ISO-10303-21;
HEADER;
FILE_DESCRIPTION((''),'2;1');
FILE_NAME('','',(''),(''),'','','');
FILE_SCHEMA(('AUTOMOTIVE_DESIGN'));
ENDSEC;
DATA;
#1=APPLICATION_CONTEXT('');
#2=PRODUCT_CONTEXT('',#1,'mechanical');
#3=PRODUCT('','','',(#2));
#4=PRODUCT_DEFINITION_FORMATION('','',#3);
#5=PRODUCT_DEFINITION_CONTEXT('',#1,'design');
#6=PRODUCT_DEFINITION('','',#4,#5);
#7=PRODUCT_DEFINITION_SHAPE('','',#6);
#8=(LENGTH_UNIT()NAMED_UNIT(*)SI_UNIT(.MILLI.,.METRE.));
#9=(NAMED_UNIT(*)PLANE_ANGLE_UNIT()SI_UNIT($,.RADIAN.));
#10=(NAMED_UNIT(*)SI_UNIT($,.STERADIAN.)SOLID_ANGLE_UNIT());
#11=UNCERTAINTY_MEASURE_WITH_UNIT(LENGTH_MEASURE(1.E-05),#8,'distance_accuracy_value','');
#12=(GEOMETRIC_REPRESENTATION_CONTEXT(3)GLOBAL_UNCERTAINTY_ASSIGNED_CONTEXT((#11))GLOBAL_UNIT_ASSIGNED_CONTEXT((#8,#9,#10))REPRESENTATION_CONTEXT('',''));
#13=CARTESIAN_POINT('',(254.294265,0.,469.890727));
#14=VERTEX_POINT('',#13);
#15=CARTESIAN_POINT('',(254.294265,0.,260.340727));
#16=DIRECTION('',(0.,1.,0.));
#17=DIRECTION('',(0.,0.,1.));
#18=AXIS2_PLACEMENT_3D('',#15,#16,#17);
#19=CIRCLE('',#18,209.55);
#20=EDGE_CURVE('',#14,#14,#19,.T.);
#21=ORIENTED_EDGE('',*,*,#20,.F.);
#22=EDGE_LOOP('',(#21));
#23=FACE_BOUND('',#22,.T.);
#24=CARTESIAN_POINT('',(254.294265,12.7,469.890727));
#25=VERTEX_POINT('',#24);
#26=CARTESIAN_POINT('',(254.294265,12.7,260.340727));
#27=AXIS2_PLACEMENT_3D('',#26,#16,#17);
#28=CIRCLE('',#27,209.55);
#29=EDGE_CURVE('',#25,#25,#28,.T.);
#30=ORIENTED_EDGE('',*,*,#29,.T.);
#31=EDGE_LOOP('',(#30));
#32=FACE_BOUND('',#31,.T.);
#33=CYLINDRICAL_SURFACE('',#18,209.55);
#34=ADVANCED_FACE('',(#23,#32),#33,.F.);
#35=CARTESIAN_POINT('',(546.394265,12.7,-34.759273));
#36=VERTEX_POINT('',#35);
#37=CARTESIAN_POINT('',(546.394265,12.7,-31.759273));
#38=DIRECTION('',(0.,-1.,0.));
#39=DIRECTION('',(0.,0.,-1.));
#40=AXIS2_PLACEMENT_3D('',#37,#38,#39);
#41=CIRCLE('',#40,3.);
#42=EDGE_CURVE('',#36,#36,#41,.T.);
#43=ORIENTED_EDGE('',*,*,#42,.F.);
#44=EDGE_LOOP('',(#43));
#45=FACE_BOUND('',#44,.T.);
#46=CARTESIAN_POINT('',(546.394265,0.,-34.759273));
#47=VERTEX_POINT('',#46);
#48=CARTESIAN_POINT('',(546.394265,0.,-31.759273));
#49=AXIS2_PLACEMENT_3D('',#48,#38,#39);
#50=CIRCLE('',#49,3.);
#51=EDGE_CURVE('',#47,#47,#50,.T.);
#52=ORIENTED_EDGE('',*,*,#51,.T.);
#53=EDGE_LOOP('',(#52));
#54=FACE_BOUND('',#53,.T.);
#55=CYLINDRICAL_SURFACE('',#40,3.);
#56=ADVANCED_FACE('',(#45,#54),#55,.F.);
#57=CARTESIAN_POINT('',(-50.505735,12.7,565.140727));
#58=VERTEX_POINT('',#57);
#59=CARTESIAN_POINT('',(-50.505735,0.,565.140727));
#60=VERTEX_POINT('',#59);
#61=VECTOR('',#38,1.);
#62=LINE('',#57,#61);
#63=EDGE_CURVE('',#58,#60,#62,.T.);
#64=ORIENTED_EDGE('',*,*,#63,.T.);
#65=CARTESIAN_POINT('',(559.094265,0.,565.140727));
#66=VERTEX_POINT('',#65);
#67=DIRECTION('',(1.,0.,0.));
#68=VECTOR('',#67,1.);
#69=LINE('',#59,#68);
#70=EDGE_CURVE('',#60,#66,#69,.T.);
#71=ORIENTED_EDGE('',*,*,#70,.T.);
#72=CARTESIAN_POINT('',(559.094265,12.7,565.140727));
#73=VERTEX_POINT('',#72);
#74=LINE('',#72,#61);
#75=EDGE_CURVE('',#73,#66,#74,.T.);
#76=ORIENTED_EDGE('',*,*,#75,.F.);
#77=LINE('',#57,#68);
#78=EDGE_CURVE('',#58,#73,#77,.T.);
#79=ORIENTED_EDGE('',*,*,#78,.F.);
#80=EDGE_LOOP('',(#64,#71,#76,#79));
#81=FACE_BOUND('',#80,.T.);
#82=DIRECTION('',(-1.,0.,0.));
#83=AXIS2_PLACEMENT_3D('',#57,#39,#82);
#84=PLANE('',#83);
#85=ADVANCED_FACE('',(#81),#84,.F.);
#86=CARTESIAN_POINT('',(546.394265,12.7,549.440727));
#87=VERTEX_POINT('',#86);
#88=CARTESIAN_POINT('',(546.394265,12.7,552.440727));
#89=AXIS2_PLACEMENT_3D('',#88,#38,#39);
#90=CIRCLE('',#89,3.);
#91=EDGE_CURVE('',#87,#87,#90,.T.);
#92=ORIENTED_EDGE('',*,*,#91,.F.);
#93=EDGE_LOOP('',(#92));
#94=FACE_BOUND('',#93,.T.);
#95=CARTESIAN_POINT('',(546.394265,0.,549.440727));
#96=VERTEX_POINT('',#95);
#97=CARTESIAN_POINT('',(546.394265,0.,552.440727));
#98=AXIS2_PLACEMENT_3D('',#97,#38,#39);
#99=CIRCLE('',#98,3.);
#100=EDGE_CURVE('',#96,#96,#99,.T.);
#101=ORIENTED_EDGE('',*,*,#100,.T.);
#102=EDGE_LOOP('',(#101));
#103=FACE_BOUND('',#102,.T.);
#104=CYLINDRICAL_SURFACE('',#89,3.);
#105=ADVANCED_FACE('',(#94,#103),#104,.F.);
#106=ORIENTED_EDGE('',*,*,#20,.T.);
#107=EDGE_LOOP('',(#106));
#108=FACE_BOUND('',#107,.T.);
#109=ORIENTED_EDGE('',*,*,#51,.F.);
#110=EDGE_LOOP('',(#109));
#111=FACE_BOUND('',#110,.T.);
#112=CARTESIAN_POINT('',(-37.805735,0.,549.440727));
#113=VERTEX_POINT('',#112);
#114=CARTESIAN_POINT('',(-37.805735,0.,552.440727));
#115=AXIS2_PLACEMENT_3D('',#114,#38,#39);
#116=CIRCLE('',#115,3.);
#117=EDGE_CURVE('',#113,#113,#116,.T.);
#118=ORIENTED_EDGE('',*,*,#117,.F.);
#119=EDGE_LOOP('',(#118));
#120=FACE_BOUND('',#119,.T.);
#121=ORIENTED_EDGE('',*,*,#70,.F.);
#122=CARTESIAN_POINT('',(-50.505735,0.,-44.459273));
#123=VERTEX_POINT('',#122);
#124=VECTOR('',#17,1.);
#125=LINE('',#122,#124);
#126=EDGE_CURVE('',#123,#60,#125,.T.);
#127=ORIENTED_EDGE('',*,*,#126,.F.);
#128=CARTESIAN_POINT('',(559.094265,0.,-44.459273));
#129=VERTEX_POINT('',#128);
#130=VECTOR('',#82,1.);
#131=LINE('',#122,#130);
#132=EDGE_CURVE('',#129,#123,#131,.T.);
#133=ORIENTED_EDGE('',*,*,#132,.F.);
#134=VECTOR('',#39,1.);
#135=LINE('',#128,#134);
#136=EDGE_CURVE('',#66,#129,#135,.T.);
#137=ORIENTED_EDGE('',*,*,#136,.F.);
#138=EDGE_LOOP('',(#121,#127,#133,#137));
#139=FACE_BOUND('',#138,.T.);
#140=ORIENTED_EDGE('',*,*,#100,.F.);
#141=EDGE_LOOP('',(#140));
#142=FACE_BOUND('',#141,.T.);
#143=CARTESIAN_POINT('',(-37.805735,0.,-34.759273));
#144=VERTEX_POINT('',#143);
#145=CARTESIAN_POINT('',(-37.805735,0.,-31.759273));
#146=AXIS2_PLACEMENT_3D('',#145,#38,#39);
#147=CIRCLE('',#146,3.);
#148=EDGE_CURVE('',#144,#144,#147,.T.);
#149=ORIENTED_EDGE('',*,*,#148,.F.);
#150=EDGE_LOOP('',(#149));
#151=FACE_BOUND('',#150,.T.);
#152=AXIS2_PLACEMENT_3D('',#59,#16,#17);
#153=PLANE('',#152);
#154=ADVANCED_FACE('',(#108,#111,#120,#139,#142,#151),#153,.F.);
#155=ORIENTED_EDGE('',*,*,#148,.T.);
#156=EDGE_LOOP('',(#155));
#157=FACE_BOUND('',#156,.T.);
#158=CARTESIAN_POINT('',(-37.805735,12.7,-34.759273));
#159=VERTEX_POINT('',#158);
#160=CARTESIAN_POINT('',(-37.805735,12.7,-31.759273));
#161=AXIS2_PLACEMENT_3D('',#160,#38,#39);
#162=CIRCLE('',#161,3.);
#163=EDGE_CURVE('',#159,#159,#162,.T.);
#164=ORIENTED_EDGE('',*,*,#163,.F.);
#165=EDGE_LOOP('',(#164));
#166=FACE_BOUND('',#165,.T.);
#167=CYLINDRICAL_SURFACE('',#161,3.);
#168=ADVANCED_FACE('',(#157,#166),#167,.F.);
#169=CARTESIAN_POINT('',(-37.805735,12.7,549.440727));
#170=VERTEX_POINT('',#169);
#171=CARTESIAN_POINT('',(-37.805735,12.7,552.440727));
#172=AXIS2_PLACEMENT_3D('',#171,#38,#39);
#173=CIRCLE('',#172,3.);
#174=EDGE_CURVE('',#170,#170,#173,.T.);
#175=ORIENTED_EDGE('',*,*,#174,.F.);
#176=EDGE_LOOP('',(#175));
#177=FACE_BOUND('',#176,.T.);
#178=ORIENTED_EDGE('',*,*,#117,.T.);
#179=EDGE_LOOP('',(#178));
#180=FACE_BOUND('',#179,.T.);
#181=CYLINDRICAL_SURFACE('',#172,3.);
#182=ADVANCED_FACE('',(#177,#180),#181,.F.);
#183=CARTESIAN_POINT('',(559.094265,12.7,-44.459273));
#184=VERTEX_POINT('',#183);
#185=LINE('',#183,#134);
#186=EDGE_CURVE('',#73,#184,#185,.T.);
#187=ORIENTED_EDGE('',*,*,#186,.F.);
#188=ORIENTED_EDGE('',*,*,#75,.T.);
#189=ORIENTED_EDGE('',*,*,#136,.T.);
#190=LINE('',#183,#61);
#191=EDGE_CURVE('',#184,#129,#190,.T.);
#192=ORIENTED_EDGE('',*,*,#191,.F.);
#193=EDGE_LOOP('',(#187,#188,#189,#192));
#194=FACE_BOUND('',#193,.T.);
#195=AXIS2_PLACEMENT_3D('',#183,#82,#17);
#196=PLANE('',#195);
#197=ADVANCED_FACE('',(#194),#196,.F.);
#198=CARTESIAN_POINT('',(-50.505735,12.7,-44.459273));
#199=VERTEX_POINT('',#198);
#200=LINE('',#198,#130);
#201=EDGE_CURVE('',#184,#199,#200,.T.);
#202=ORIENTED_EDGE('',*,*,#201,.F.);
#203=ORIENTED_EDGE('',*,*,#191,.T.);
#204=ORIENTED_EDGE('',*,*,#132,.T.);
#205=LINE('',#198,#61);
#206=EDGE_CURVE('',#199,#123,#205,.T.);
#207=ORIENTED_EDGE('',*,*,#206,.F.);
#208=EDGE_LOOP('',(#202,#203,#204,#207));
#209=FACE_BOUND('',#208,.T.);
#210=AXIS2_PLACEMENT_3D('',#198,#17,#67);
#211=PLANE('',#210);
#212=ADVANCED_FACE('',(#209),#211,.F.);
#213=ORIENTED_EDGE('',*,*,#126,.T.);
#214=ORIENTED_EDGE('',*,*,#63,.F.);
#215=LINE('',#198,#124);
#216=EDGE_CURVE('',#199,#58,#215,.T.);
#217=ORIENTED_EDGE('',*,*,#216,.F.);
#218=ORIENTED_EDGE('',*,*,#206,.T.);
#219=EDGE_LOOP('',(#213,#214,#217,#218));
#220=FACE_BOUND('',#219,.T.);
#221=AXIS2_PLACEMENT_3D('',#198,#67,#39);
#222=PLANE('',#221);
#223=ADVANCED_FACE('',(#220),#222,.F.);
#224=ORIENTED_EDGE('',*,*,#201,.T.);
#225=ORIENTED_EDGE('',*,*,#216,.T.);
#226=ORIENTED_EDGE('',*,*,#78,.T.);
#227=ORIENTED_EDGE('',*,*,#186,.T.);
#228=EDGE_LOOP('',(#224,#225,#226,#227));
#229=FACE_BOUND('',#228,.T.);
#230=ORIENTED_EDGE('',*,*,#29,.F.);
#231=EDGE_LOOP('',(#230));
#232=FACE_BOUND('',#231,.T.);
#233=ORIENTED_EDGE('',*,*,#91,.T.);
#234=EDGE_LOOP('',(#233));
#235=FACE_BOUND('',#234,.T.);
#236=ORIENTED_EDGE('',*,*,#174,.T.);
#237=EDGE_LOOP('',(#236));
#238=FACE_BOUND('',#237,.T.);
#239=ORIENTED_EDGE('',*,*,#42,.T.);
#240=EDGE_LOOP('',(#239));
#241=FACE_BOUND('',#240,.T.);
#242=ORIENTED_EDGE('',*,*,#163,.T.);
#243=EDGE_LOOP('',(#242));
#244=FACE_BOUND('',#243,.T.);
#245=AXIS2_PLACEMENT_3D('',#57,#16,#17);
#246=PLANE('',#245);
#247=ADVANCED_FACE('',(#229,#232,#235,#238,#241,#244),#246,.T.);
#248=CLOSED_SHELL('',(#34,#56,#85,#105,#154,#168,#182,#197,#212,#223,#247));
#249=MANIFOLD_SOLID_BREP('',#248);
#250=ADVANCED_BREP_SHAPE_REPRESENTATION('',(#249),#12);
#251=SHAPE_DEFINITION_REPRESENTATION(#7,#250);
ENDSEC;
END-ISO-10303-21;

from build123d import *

# Parameters (mm, degrees)
SKETCH1_W           = 609.6
SKETCH1_H           = 609.6
BOSS_EXTRUDE1_DEPTH = 12.7
SKETCH2_R           = 209.55
CUT_EXTRUDE1_DEPTH  = 13.7
SKETCH3_R           = 3
CUT_EXTRUDE2_DEPTH  = 13.7


with BuildPart() as part:
    # Sketch1 → Boss-Extrude1 (new body)
    with BuildSketch(Plane(origin=(0, 0, 0), x_dir=(1, 0, 0), z_dir=(0, 1, 0))):
        with Locations((254.294265396, -260.340726581)):
            Rectangle(SKETCH1_W, SKETCH1_H)
    extrude(amount=BOSS_EXTRUDE1_DEPTH)

    # Sketch2 → Cut-Extrude1 (cut, through all)
    with BuildSketch(Plane(origin=(0, 12.7, 0), x_dir=(1, 0, 0), z_dir=(0, 1, 0))):
        with Locations((254.294265396, -260.340726581)):
            Circle(SKETCH2_R)
    extrude(amount=-CUT_EXTRUDE1_DEPTH, mode=Mode.SUBTRACT)

    # Sketch3 → Cut-Extrude2 (cut, through all)
    with BuildSketch(Plane.XZ):
        with Locations((-37.805734604, 552.440726581)):
            Circle(SKETCH3_R)
        with Locations((546.394265396, 552.440726581)):
            Circle(SKETCH3_R)
        with Locations((546.394265396, -31.759273419)):
            Circle(SKETCH3_R)
        with Locations((-37.805734604, -31.759273419)):
            Circle(SKETCH3_R)
    extrude(amount=-CUT_EXTRUDE2_DEPTH, mode=Mode.SUBTRACT)


solid = part.part
